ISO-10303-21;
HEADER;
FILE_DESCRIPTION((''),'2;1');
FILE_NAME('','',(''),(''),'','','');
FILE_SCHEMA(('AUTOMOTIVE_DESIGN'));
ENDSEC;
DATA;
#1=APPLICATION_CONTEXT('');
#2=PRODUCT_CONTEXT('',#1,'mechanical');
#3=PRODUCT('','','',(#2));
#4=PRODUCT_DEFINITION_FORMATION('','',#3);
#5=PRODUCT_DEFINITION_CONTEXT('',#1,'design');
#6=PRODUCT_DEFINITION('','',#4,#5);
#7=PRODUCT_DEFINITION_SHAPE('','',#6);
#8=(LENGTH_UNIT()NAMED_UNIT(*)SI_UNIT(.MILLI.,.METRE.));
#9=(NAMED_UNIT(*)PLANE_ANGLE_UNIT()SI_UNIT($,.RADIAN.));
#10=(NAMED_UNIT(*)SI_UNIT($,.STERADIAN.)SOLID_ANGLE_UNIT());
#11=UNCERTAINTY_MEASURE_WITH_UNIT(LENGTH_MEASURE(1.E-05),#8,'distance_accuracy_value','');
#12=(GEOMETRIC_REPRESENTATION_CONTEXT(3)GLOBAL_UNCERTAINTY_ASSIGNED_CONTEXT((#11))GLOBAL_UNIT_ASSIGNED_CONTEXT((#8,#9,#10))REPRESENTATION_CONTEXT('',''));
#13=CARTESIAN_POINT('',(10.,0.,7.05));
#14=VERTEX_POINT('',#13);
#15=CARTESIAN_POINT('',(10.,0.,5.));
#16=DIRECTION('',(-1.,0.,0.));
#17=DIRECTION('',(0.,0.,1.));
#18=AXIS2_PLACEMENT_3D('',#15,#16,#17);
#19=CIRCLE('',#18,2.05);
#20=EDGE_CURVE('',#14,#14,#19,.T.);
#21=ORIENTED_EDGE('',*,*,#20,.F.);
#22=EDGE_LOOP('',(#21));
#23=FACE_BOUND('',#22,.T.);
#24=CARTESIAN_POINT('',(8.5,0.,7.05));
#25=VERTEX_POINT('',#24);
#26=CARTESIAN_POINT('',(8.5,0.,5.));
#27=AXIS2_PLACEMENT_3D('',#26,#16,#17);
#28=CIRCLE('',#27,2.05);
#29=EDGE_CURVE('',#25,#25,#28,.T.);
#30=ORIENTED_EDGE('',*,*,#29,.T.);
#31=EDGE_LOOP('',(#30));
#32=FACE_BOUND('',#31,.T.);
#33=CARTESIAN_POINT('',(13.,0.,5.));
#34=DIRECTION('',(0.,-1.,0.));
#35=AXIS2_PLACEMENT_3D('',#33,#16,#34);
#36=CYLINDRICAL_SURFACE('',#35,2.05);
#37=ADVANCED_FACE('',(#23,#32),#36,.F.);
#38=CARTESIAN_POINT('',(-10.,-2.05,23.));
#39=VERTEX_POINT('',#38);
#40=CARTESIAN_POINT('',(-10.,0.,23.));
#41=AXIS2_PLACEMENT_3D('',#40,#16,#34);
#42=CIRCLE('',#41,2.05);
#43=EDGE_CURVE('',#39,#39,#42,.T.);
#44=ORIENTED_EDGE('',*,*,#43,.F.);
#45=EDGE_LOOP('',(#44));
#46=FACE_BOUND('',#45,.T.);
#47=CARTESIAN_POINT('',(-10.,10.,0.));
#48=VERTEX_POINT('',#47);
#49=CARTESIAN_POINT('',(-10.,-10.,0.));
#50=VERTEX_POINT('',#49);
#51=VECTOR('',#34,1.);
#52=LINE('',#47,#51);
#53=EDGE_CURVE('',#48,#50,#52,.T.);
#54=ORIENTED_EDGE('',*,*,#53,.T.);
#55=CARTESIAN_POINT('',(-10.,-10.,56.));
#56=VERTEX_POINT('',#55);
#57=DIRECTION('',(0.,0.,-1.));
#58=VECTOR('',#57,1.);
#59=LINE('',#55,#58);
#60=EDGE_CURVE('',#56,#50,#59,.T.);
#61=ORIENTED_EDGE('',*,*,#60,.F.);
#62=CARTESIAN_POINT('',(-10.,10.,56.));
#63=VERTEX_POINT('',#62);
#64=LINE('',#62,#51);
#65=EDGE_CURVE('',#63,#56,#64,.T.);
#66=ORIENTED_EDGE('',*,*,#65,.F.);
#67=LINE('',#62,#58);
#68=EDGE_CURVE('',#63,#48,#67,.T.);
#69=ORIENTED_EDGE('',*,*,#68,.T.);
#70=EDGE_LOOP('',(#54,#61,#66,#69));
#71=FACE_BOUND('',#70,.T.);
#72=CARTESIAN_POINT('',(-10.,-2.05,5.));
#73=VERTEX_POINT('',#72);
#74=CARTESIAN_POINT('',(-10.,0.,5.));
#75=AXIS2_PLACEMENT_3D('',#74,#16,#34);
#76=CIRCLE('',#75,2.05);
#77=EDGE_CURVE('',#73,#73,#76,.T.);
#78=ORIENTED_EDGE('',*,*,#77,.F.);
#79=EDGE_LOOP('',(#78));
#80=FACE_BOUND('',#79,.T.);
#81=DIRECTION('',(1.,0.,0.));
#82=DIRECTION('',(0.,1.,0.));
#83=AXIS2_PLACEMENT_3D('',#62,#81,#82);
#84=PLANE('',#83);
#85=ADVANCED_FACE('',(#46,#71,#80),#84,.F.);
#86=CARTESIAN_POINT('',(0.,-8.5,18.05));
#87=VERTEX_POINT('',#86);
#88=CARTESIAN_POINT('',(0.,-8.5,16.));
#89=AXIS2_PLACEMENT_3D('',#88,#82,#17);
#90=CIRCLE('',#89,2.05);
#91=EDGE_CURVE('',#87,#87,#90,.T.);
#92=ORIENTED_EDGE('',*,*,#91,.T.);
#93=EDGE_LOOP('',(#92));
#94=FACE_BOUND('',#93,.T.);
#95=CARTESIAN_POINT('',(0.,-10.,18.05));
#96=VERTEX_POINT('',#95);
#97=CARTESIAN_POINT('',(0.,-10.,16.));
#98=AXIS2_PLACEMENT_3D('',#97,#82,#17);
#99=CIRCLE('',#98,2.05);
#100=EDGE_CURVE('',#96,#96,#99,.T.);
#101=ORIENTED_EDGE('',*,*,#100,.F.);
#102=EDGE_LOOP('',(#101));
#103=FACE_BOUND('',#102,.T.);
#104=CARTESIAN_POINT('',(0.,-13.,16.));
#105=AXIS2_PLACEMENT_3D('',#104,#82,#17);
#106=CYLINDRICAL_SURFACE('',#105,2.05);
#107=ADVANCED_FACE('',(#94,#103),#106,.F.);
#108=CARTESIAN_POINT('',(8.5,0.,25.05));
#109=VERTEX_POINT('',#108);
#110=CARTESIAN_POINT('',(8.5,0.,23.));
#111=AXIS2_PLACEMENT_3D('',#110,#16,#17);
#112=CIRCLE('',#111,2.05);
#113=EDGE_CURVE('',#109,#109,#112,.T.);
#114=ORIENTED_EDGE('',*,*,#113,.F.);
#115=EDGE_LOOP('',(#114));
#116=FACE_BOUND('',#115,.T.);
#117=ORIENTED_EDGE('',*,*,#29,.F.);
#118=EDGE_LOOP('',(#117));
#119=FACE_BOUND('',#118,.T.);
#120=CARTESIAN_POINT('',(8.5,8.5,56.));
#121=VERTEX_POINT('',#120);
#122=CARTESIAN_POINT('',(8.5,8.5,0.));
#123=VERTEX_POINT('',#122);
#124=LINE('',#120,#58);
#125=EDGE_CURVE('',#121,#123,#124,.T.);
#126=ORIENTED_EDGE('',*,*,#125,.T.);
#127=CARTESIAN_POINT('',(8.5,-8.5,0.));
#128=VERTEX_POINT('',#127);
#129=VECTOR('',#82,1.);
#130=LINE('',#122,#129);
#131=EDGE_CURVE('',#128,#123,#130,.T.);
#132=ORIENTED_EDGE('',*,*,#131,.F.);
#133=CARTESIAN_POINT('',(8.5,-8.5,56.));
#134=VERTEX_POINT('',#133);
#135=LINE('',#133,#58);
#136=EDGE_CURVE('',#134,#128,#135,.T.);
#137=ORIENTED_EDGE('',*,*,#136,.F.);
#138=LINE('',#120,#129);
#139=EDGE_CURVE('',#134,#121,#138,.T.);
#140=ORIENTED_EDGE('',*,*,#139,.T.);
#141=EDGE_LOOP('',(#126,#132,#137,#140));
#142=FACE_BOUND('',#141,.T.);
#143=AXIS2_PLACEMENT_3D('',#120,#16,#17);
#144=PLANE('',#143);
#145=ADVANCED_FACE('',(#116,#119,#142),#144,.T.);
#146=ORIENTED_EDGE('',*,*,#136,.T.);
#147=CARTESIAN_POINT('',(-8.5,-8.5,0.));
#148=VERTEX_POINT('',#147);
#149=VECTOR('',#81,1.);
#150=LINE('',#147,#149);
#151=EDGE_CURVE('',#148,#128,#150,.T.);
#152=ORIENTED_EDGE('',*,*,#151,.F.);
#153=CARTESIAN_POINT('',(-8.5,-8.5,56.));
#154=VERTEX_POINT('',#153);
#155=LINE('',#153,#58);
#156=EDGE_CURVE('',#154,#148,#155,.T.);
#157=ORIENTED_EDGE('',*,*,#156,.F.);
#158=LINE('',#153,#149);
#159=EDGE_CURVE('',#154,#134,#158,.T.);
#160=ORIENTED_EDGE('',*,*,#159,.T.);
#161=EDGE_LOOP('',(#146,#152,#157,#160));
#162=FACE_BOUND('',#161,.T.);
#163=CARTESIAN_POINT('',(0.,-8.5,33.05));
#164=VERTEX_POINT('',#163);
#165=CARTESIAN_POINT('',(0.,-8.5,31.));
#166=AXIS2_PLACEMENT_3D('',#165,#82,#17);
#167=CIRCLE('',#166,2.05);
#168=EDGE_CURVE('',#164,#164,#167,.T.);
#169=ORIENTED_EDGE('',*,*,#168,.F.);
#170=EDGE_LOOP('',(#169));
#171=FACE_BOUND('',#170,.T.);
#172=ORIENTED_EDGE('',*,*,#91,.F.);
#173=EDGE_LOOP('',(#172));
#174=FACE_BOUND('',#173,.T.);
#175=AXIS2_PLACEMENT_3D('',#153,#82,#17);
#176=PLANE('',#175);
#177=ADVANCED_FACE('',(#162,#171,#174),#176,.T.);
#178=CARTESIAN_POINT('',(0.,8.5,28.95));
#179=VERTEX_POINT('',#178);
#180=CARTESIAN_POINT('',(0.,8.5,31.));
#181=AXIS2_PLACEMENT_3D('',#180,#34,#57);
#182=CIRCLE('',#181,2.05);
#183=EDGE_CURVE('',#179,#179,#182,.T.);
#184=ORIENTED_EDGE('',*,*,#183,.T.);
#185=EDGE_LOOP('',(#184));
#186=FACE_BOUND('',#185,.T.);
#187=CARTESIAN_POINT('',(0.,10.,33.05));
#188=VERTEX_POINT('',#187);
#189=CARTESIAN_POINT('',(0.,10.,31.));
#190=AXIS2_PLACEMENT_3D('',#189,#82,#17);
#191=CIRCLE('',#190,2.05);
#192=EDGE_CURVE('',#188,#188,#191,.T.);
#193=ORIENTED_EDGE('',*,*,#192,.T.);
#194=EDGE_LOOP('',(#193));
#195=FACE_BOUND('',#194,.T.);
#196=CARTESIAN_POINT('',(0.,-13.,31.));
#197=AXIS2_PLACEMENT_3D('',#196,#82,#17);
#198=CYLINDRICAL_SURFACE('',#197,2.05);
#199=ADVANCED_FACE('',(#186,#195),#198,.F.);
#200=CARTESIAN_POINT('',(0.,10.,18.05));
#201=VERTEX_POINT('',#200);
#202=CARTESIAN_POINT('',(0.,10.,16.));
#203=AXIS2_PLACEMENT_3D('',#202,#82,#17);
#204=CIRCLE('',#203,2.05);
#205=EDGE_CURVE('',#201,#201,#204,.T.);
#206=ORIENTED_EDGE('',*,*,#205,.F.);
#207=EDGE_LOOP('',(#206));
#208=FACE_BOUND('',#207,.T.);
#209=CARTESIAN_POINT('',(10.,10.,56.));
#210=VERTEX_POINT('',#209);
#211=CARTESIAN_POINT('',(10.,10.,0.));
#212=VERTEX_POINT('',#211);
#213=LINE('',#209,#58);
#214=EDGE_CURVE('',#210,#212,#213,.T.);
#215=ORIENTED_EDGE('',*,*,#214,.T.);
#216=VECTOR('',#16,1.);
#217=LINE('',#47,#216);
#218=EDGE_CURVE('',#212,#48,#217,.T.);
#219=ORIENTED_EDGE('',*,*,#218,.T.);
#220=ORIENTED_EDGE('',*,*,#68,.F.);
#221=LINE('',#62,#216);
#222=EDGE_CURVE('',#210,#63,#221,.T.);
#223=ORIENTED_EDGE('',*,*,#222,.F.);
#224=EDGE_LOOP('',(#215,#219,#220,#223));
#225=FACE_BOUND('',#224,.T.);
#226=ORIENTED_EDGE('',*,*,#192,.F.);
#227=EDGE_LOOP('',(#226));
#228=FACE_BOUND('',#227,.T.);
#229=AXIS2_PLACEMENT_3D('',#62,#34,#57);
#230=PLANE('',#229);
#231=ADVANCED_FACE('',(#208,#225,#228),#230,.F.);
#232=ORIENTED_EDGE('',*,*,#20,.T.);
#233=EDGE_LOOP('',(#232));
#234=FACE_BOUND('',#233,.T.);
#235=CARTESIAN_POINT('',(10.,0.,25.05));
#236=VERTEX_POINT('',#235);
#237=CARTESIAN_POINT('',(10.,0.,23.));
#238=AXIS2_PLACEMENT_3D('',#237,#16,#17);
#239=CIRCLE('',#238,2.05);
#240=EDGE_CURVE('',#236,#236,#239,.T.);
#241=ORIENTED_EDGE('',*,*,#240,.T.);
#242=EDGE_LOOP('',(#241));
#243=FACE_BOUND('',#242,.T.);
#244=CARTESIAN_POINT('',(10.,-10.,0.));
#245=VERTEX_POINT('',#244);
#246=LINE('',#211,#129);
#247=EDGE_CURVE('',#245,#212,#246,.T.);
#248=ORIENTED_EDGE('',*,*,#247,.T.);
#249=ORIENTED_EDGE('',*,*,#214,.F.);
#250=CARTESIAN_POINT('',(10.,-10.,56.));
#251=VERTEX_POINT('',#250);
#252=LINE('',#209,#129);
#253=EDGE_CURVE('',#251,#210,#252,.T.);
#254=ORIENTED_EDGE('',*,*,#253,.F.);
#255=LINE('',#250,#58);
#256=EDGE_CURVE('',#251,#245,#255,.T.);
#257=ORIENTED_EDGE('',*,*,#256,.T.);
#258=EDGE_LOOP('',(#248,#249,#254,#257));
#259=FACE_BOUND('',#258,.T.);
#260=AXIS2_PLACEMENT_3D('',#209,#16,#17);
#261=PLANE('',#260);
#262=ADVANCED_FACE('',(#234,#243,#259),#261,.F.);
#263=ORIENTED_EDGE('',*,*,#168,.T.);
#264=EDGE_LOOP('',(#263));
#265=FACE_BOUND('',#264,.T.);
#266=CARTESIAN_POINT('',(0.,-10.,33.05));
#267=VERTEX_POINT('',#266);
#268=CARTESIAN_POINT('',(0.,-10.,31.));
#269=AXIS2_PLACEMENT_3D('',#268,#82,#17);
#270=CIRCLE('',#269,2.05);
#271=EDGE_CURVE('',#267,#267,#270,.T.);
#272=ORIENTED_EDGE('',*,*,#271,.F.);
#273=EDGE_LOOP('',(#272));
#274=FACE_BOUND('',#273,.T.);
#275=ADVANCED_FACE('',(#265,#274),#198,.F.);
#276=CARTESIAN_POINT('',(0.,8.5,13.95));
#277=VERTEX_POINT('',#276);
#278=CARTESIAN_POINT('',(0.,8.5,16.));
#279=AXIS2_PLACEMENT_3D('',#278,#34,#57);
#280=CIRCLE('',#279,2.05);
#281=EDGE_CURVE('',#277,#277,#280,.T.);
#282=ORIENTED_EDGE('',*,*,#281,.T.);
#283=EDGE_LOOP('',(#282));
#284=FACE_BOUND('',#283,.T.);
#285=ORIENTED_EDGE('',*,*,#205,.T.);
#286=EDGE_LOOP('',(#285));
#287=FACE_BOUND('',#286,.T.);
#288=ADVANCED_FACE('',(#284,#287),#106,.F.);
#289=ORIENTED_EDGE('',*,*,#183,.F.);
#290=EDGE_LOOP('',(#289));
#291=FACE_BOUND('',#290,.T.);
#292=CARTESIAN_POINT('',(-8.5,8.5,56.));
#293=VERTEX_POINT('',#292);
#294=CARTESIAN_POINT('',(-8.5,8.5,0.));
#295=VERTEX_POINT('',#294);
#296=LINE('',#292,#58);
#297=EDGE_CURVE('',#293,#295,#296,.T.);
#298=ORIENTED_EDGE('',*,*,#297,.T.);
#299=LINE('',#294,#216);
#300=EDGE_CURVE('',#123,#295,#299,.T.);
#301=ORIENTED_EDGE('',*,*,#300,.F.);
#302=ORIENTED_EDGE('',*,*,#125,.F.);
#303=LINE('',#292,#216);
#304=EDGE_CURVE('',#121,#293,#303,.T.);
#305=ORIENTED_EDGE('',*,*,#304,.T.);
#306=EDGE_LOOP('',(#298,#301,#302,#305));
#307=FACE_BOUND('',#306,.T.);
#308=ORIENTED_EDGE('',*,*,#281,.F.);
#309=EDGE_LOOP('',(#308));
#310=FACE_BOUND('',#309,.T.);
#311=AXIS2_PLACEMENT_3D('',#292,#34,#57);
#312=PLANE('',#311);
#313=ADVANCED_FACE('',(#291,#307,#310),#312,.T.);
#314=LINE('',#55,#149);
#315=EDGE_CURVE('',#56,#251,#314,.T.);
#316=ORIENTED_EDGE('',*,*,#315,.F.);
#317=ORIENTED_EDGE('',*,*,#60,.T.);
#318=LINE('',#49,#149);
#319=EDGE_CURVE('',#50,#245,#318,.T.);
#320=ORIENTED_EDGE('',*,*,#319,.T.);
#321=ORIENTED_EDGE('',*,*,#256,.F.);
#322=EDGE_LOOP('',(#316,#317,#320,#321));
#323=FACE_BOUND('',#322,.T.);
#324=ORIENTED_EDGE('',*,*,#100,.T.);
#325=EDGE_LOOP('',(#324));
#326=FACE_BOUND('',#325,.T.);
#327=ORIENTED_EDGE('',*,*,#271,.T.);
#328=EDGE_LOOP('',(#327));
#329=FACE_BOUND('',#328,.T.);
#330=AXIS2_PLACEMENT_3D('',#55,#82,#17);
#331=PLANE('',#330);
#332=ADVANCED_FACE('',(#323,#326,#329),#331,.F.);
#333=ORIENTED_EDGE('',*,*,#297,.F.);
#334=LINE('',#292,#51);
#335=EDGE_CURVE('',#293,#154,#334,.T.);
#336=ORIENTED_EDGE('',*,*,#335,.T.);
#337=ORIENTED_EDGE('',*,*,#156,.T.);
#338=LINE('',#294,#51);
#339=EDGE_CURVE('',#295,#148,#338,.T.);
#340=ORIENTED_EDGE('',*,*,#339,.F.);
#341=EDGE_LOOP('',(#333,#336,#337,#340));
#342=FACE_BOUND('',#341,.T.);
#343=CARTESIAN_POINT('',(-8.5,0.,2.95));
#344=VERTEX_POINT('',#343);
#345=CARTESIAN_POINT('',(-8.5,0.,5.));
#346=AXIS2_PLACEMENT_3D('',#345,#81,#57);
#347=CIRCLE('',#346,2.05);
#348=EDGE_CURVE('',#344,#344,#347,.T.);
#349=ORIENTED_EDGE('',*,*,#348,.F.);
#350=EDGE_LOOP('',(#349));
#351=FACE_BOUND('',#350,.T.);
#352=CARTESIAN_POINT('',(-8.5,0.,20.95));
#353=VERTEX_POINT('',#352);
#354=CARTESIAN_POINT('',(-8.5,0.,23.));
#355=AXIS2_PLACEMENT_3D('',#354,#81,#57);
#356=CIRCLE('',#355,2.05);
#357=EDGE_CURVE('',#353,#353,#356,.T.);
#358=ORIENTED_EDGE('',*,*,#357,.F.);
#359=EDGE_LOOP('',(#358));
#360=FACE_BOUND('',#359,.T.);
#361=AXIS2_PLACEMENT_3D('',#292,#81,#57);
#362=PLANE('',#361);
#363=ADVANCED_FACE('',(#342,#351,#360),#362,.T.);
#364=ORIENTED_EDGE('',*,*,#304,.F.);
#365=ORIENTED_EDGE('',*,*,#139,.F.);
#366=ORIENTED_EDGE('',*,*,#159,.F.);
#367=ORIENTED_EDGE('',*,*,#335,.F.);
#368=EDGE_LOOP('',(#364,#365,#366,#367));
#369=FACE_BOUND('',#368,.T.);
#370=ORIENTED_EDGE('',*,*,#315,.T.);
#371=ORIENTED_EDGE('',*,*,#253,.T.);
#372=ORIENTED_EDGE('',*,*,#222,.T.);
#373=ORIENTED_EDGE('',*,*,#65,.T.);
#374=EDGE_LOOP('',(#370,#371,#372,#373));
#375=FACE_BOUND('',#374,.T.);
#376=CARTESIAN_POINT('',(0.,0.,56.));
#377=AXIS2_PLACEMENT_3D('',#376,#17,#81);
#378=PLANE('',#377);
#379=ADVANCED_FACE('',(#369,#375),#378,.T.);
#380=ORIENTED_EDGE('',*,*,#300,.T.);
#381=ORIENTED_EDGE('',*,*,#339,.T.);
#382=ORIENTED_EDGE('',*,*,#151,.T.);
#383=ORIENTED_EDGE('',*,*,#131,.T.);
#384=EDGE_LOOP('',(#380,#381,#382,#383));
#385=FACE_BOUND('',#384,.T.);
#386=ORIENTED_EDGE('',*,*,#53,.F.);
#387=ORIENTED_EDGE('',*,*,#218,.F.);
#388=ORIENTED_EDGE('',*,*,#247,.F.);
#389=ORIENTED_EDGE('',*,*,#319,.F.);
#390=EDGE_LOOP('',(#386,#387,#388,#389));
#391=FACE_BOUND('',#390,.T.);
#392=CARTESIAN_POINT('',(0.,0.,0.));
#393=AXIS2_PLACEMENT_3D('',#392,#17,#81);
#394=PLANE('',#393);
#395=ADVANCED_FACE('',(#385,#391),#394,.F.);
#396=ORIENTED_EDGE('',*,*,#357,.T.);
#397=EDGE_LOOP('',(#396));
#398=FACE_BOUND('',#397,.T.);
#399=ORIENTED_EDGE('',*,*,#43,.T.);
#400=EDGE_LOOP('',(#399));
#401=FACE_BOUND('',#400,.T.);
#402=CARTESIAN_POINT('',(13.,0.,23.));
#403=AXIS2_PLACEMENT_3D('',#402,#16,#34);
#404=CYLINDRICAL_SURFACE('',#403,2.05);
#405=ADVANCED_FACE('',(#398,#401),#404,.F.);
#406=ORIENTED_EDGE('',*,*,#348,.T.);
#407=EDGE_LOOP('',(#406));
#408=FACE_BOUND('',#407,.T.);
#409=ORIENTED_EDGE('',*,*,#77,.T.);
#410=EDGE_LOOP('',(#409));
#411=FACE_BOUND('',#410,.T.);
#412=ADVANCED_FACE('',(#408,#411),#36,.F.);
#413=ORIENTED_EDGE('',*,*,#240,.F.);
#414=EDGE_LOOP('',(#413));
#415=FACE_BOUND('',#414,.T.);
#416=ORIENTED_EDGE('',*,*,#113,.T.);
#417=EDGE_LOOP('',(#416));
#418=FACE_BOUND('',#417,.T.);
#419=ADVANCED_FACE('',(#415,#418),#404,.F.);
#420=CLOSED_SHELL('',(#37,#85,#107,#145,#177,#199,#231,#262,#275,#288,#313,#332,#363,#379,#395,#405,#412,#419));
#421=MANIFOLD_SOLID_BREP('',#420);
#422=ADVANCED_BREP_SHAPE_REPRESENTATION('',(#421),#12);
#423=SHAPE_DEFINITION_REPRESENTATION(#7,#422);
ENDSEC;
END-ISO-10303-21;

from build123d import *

# Parameters (mm, degrees)
SKETCH_1_W          = 20
SKETCH_1_H          = 20
SKETCH_1_W_2        = 17
SKETCH_1_H_2        = 17
EXTRUDE_1_DEPTH     = 56
SKETCH_3_R          = 2.05
CUT_EXTRUDE_1_DEPTH = 23
SKETCH_4_R          = 2.05
CUT_EXTRUDE_2_DEPTH = 23


with BuildPart() as part:
    # 草图1 → 凸台-拉伸1 (new body)
    with BuildSketch(Plane.XY):
        Rectangle(SKETCH_1_W, SKETCH_1_H)
        Rectangle(SKETCH_1_W_2, SKETCH_1_H_2, mode=Mode.SUBTRACT)
    extrude(amount=EXTRUDE_1_DEPTH)

    # 草图3 → 切除-拉伸1 (cut)
    with BuildSketch(Plane.ZY.offset(10)):
        with Locations(Location((5, 0, 0), (0, 0, 270))):
            Circle(SKETCH_3_R)
        with Locations(Location((23, 0, 0), (0, 0, 270))):
            Circle(SKETCH_3_R)
    extrude(amount=-CUT_EXTRUDE_1_DEPTH, mode=Mode.SUBTRACT)

    # 草图4 → 切除-拉伸2 (cut)
    with BuildSketch(Plane(origin=(0, 10, 0), x_dir=(1, 0, 0), z_dir=(0, 1, 0))):
        with Locations(Location((0, -16, 0), (0, 0, 270))):
            Circle(SKETCH_4_R)
        with Locations(Location((0, -31, 0), (0, 0, 270))):
            Circle(SKETCH_4_R)
    extrude(amount=-CUT_EXTRUDE_2_DEPTH, mode=Mode.SUBTRACT)


solid = part.part
